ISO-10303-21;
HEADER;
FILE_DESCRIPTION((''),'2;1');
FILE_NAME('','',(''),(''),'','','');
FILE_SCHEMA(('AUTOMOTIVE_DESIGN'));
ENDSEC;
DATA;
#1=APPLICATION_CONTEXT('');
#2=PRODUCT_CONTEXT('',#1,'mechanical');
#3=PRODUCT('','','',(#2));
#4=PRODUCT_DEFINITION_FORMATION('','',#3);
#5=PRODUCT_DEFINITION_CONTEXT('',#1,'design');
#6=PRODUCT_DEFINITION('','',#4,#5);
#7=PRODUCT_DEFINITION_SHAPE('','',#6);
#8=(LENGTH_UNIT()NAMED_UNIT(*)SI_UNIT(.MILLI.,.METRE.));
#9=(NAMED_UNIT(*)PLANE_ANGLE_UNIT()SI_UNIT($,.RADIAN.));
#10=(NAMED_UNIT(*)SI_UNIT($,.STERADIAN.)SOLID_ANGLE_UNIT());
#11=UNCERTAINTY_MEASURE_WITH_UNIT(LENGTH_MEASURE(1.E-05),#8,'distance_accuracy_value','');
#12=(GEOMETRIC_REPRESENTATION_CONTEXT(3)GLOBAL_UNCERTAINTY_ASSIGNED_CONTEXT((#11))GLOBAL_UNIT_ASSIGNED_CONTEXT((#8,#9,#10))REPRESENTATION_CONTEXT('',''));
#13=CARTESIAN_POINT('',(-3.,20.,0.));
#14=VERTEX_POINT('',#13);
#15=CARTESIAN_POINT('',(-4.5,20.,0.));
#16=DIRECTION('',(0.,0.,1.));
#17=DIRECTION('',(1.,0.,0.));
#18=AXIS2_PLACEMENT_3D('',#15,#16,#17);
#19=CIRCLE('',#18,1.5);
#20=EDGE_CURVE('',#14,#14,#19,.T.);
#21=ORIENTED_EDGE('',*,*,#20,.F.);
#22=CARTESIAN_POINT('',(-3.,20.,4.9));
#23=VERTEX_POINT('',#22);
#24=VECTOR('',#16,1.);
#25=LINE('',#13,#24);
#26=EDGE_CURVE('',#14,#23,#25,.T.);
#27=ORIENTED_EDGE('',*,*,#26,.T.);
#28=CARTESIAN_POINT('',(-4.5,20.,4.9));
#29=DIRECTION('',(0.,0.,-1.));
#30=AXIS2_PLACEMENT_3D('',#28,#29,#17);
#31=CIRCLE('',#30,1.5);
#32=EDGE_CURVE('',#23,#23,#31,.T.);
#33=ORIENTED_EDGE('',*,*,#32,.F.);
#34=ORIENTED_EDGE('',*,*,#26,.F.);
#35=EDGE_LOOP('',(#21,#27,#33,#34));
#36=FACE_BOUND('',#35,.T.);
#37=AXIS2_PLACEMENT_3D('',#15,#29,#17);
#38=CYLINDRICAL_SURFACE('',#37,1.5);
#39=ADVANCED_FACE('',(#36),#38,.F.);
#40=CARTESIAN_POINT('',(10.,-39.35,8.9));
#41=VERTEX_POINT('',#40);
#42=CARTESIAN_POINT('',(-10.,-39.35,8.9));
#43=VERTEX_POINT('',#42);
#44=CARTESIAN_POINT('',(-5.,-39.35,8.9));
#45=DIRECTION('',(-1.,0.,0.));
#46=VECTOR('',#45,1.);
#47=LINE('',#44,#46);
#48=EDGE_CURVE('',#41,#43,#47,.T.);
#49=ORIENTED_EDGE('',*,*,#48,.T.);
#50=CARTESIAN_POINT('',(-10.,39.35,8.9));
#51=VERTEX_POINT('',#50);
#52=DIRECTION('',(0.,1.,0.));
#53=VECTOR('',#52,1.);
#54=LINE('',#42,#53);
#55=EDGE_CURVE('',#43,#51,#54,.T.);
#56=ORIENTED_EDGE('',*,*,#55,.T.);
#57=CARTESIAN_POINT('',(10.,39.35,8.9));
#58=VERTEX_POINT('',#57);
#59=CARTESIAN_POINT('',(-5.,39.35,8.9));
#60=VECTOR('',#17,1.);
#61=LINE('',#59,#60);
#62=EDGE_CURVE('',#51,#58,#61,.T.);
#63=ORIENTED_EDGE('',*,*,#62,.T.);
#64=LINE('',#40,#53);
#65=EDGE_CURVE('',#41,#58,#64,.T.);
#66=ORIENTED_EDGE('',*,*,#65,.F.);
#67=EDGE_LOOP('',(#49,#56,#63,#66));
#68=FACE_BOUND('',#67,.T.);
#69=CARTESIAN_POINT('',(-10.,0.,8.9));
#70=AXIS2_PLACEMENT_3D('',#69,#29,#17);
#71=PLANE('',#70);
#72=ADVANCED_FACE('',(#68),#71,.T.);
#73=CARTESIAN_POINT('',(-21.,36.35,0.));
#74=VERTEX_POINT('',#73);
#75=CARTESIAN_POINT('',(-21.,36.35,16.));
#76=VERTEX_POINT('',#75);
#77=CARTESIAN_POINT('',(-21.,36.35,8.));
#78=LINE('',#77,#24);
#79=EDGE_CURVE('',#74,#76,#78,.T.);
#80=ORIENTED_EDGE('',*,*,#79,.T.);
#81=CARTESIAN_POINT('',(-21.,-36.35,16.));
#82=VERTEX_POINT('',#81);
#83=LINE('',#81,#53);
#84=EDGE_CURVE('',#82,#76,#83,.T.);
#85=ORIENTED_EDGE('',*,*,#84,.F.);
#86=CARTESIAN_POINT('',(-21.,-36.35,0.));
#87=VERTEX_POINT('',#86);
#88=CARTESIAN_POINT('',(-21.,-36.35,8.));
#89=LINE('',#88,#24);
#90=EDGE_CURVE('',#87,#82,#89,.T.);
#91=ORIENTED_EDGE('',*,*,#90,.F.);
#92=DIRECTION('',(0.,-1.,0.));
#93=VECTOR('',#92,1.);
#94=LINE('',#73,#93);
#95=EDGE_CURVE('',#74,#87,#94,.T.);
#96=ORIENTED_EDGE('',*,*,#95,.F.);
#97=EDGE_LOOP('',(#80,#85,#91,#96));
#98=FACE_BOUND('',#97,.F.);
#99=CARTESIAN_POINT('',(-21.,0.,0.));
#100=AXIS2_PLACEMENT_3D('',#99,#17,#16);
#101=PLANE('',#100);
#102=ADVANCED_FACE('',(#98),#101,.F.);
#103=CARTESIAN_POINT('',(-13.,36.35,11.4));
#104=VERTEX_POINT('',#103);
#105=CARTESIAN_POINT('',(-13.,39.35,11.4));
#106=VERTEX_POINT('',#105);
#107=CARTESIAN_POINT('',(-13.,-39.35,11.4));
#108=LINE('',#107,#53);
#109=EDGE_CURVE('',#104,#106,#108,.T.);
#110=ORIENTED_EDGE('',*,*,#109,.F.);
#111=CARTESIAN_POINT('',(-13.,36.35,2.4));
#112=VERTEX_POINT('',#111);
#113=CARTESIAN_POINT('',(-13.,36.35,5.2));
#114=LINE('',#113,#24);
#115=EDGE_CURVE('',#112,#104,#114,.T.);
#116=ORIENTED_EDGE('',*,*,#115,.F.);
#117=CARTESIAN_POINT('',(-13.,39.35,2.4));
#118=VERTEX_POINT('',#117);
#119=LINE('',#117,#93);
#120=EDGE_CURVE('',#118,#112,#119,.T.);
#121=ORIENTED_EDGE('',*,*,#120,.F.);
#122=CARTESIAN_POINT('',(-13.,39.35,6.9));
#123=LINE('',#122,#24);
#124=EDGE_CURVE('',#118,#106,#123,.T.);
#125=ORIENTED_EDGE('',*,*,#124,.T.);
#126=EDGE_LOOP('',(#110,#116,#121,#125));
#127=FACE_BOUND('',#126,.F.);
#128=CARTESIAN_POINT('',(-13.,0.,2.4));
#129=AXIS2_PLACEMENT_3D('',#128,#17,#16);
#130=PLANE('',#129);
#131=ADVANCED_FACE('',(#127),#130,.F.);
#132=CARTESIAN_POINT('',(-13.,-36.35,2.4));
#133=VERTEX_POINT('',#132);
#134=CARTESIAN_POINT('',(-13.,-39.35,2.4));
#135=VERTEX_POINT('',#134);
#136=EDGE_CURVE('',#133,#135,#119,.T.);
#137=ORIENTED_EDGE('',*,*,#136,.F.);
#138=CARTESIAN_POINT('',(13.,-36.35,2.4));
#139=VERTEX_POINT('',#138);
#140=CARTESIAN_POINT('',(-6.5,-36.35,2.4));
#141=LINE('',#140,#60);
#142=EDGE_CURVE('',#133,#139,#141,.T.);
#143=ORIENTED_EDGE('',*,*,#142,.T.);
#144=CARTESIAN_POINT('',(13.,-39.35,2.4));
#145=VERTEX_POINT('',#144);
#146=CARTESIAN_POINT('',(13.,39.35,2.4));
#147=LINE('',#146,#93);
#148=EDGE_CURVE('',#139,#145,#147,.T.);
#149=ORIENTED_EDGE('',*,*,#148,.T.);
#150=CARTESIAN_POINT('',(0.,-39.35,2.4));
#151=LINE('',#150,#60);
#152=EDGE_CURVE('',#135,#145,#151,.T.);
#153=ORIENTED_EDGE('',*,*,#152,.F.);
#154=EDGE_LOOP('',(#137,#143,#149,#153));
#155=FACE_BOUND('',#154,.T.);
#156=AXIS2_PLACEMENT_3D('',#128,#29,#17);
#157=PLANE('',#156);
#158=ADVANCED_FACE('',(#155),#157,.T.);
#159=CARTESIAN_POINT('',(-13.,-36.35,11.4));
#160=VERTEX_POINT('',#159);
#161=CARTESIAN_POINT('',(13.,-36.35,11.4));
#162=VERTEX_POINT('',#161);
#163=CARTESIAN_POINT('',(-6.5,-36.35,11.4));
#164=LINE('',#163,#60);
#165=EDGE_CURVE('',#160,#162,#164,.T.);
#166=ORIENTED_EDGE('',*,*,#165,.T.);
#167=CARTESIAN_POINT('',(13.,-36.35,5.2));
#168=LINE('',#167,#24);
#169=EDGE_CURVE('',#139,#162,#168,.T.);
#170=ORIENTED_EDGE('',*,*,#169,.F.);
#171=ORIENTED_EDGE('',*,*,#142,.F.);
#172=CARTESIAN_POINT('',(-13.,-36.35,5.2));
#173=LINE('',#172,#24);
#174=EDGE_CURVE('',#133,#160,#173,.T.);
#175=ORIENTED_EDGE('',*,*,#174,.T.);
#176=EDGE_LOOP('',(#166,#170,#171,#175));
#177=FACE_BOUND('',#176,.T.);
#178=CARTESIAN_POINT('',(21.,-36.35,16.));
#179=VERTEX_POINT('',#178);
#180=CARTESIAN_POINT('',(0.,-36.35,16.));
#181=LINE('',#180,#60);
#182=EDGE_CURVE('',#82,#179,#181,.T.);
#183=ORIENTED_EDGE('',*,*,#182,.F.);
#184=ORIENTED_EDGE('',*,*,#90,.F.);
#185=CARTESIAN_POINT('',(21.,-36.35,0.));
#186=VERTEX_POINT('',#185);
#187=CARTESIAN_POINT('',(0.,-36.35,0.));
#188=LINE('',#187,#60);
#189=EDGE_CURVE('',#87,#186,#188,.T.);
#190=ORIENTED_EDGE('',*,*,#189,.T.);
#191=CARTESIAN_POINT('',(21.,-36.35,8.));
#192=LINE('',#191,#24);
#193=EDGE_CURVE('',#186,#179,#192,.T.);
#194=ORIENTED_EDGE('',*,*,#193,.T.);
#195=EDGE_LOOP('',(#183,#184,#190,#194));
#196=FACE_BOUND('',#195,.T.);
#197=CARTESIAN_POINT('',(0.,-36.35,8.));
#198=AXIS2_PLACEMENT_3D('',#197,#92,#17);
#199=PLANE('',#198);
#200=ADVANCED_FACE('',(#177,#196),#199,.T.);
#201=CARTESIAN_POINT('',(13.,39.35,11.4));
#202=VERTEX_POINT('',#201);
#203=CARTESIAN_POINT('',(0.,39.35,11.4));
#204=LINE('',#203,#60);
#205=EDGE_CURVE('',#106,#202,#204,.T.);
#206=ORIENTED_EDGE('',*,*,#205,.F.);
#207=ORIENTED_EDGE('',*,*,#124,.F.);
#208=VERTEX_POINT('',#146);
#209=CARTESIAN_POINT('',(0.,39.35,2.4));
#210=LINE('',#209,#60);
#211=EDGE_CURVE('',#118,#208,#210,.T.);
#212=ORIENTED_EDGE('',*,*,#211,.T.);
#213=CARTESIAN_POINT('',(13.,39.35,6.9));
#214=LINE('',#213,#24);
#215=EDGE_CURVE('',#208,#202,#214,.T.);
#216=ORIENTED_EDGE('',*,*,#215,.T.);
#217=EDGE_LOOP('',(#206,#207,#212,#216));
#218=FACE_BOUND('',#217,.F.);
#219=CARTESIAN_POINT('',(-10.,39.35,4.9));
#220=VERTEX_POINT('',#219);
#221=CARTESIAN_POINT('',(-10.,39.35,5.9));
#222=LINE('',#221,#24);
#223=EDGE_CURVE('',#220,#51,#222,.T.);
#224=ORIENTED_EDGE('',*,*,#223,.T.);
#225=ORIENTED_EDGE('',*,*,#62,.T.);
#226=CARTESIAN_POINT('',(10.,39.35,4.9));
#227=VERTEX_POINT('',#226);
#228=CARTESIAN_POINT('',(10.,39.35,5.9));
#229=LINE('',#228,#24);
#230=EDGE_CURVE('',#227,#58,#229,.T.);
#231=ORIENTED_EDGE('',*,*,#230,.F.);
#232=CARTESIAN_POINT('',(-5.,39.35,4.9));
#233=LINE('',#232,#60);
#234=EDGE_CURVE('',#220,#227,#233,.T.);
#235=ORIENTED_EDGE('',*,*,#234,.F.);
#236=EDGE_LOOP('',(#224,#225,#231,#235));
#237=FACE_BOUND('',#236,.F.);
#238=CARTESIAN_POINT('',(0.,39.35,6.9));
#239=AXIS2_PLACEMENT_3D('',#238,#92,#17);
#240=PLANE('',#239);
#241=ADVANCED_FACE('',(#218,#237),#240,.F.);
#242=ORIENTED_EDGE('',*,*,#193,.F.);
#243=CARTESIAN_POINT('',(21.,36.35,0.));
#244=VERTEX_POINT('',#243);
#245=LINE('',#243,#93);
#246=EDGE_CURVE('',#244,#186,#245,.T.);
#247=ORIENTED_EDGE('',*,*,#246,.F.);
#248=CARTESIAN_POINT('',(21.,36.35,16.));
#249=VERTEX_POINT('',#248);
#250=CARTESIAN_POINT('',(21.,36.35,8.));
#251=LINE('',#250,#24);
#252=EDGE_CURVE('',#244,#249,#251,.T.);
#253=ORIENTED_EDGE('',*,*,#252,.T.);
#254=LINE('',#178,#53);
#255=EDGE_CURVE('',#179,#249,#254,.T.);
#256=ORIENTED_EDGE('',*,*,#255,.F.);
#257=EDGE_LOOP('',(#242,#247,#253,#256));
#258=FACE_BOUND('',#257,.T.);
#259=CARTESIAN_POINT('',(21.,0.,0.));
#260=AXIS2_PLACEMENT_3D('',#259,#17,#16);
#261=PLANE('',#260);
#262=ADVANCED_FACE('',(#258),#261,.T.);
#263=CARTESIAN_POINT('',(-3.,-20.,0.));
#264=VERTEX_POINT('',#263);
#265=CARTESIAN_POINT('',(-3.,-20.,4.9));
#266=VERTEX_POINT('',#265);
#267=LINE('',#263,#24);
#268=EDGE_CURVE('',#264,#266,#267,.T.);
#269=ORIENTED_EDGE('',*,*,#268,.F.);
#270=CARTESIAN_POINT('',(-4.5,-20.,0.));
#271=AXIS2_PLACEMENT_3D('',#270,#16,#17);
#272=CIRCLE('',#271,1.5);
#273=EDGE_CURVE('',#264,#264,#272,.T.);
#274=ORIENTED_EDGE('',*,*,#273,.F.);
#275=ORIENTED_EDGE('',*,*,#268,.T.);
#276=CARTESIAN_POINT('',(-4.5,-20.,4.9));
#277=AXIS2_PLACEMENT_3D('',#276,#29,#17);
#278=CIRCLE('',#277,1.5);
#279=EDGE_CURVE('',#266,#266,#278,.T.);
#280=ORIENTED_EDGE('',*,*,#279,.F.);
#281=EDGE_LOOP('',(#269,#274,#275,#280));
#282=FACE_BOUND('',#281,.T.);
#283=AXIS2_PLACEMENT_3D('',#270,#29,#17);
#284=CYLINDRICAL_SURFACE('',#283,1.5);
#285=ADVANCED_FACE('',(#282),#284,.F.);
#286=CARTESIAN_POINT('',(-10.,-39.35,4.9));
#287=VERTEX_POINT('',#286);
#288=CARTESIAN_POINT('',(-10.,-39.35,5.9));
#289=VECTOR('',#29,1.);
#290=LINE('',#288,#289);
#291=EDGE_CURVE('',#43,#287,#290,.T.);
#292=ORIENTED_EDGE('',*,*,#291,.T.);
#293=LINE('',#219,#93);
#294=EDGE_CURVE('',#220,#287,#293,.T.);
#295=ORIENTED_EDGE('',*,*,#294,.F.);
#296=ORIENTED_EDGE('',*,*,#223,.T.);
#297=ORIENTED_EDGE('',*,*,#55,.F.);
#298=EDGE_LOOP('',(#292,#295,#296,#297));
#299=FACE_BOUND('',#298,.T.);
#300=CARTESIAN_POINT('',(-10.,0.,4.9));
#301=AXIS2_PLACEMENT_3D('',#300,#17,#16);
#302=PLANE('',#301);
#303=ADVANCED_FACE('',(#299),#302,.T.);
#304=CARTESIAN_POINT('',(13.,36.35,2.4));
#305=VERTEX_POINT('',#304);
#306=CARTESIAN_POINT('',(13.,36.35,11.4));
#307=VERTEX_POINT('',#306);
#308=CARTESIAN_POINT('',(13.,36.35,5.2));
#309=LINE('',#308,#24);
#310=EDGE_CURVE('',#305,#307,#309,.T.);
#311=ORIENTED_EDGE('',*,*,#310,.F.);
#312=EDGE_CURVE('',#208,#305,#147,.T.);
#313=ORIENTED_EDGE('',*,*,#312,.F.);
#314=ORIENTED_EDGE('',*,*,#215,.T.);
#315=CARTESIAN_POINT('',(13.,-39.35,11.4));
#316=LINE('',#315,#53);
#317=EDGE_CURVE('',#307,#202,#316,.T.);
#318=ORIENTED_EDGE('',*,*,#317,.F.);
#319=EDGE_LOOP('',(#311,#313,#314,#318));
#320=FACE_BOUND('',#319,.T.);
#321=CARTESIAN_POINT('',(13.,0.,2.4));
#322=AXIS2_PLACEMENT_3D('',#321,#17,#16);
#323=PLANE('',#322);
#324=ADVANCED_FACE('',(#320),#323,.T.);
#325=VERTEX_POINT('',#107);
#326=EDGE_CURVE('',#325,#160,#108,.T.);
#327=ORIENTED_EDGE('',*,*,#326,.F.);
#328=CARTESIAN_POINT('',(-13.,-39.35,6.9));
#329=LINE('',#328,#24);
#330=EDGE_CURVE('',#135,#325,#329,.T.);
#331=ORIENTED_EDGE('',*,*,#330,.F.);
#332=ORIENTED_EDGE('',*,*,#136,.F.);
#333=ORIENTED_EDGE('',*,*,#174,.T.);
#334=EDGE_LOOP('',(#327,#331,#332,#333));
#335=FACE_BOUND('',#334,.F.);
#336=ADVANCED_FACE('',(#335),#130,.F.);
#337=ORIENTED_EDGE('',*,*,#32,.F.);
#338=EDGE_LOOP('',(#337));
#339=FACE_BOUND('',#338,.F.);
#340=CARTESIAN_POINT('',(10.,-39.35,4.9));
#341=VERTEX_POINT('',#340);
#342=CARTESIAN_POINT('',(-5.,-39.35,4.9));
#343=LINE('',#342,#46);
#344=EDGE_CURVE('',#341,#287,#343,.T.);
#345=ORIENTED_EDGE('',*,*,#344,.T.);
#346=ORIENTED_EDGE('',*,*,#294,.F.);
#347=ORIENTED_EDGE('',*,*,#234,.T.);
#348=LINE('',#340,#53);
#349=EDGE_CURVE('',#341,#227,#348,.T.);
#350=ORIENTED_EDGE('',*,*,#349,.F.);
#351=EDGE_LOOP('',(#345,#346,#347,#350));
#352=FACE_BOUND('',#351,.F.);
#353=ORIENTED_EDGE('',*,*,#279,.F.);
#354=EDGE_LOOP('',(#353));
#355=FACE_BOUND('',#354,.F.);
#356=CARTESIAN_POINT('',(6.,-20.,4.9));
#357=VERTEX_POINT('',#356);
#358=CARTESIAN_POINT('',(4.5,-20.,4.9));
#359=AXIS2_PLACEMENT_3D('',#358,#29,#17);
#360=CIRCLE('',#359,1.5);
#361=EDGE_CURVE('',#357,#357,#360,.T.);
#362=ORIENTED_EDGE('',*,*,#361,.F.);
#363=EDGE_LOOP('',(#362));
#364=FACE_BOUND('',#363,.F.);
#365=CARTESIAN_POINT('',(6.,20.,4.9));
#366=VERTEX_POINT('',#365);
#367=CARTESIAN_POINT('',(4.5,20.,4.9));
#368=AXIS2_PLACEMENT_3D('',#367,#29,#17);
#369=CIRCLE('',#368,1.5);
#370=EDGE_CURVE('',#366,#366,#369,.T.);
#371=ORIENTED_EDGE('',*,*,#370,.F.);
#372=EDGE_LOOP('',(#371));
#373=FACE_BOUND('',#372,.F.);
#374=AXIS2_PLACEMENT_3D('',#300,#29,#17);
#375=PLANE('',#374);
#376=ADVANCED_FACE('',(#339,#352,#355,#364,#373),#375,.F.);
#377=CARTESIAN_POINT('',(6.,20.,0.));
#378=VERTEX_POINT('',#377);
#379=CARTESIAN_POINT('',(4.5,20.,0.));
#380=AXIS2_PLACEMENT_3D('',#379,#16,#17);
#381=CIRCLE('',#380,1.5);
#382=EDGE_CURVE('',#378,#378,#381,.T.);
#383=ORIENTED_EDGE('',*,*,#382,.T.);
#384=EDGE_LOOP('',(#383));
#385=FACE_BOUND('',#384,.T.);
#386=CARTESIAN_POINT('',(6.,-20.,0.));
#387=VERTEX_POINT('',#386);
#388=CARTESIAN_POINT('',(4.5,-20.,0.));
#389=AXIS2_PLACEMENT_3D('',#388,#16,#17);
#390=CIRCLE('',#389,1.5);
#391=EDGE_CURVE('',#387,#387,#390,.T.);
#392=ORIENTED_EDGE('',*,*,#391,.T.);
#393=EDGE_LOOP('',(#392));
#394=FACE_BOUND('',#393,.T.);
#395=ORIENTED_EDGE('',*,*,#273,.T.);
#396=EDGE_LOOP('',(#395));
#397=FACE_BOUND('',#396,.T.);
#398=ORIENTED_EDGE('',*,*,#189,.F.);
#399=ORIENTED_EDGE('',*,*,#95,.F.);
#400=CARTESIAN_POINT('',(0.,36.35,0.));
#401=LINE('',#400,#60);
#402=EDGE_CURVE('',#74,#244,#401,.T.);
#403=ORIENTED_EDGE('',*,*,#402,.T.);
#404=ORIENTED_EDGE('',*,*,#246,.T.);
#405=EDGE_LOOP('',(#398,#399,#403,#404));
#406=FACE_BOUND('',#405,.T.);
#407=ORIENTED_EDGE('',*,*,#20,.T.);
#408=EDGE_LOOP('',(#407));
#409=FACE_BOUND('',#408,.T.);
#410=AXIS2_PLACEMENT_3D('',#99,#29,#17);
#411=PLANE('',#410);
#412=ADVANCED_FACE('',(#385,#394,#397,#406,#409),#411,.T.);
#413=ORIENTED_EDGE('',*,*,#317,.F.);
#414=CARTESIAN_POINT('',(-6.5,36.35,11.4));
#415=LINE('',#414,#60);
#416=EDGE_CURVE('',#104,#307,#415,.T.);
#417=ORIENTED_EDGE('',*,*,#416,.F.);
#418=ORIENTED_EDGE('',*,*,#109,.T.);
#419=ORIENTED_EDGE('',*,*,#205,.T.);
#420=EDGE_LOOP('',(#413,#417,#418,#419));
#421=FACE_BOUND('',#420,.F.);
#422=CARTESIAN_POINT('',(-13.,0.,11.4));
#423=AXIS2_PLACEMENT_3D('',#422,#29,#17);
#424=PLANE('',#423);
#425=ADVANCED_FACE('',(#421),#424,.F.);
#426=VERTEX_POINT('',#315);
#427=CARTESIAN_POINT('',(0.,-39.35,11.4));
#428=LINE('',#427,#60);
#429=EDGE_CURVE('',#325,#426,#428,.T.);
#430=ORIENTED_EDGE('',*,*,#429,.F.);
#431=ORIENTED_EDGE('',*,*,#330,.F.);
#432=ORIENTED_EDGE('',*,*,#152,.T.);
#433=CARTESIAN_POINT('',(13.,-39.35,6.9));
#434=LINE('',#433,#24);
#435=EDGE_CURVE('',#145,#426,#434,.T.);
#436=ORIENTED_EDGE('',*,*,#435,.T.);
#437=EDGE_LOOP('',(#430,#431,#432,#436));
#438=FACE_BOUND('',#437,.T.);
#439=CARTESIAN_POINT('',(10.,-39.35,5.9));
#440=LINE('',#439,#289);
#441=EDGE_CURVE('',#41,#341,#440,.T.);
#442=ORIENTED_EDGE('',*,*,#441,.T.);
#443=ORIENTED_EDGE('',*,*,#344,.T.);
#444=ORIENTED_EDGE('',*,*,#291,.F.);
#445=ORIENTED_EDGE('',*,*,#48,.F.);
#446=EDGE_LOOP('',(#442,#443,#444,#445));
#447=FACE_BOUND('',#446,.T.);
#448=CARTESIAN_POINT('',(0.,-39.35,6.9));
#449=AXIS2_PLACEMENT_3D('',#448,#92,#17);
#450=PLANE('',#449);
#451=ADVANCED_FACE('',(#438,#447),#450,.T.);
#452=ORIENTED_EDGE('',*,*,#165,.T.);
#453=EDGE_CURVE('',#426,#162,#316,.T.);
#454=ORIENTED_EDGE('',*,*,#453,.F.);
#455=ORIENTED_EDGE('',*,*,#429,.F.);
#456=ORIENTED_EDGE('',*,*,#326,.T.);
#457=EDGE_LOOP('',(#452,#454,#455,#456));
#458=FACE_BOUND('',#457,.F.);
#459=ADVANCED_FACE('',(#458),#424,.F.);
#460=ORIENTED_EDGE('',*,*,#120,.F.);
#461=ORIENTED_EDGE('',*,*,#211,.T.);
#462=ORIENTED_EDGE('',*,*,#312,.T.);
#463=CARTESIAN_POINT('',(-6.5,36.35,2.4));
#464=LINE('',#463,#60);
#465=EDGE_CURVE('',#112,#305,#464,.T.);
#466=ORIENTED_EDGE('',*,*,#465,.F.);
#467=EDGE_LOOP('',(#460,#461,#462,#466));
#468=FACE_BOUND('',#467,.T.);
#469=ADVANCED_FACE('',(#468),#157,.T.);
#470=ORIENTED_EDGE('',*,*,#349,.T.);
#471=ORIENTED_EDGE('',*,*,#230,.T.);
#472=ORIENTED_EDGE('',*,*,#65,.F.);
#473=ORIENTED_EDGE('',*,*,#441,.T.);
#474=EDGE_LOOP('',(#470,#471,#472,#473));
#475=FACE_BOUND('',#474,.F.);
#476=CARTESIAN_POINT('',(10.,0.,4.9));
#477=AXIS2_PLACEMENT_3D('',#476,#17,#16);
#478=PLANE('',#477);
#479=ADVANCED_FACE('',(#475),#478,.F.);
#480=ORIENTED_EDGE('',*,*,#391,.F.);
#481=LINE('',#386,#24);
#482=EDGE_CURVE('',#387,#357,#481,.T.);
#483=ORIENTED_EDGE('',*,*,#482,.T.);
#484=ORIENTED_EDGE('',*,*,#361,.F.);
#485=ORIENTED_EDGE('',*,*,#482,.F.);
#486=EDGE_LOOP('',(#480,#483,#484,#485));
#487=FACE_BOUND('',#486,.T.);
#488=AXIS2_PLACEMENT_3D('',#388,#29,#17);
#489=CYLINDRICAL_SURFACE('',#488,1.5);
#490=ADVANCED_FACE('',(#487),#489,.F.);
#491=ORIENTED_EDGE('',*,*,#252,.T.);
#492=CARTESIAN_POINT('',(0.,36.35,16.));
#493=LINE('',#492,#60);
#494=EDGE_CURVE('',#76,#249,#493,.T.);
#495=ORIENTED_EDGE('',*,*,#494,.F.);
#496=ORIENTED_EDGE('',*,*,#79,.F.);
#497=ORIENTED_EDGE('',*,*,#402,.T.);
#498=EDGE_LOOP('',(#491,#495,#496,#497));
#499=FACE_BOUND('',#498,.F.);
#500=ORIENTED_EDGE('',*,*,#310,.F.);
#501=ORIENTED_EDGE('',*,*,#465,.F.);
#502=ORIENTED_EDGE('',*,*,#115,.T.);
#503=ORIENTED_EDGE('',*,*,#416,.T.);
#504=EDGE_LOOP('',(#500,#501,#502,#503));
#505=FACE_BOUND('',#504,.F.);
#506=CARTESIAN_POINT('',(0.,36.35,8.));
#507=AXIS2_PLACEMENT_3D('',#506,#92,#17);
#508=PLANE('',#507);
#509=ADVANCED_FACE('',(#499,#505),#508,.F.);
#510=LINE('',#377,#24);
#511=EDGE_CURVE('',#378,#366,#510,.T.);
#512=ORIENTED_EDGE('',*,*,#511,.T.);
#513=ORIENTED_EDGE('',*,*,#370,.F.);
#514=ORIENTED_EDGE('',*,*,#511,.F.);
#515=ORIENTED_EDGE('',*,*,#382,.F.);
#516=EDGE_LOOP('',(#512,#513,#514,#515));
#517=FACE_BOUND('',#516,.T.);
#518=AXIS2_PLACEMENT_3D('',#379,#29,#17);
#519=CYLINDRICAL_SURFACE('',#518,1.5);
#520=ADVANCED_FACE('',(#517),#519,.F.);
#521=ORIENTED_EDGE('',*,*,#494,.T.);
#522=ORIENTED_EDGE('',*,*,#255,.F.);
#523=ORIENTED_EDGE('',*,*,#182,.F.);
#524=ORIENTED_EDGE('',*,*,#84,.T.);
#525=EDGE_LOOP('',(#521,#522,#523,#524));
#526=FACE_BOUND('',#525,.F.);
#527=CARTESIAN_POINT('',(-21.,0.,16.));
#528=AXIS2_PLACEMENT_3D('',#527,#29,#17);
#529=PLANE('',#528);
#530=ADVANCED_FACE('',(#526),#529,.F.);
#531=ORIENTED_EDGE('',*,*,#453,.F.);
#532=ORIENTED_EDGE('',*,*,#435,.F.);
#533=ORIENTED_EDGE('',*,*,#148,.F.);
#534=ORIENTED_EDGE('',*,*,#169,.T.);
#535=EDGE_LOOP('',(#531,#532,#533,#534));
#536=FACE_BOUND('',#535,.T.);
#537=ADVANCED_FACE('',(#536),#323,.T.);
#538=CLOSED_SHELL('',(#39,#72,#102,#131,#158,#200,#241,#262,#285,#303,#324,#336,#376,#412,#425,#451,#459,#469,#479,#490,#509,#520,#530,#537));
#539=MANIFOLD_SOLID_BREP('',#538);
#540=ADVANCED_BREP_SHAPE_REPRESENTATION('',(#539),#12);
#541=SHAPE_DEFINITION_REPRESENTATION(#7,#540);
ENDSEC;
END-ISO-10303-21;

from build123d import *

# Parameters (mm, degrees)
SKETCH_W          = 42
SKETCH_H          = 16
PAD_DEPTH         = 36.35
SKETCH001_W       = 26
SKETCH001_H       = 9
PAD001_DEPTH      = 39.35
SKETCH002_W       = 20
SKETCH002_H       = 4
POCKET_DEPTH      = 39.351
POCKET_DEPTH_BACK = -39.351
SKETCH003_R       = 1.5
POCKET001_DEPTH   = 5


with BuildPart() as part:
    # Sketch → Pad (new body, symmetric)
    with BuildSketch(Plane.XZ):
        with Locations((0, 8)):
            Rectangle(SKETCH_W, SKETCH_H)
    extrude(amount=PAD_DEPTH, both=True)

    # Sketch001 → Pad001 (join, symmetric)
    with BuildSketch(Plane.XZ):
        with Locations((0, 6.9)):
            Rectangle(SKETCH001_W, SKETCH001_H)
    extrude(amount=PAD001_DEPTH, both=True)

    # Sketch002 → Pocket (cut, two sides)
    with BuildSketch(Plane.XZ) as pocket_sk:
        with Locations((0, 6.9)):
            Rectangle(SKETCH002_W, SKETCH002_H)
    extrude(amount=-POCKET_DEPTH, mode=Mode.SUBTRACT)
    extrude(pocket_sk.sketch, amount=-POCKET_DEPTH_BACK, mode=Mode.SUBTRACT)

    # Sketch003 → Pocket001 (cut)
    with BuildSketch(Plane.XY):
        with Locations((-4.5, 20)):
            Circle(SKETCH003_R)
        with Locations((4.5, 20)):
            Circle(SKETCH003_R)
        with Locations((-4.5, -20)):
            Circle(SKETCH003_R)
        with Locations((4.5, -20)):
            Circle(SKETCH003_R)
    extrude(amount=POCKET001_DEPTH, mode=Mode.SUBTRACT)


solid = part.part
